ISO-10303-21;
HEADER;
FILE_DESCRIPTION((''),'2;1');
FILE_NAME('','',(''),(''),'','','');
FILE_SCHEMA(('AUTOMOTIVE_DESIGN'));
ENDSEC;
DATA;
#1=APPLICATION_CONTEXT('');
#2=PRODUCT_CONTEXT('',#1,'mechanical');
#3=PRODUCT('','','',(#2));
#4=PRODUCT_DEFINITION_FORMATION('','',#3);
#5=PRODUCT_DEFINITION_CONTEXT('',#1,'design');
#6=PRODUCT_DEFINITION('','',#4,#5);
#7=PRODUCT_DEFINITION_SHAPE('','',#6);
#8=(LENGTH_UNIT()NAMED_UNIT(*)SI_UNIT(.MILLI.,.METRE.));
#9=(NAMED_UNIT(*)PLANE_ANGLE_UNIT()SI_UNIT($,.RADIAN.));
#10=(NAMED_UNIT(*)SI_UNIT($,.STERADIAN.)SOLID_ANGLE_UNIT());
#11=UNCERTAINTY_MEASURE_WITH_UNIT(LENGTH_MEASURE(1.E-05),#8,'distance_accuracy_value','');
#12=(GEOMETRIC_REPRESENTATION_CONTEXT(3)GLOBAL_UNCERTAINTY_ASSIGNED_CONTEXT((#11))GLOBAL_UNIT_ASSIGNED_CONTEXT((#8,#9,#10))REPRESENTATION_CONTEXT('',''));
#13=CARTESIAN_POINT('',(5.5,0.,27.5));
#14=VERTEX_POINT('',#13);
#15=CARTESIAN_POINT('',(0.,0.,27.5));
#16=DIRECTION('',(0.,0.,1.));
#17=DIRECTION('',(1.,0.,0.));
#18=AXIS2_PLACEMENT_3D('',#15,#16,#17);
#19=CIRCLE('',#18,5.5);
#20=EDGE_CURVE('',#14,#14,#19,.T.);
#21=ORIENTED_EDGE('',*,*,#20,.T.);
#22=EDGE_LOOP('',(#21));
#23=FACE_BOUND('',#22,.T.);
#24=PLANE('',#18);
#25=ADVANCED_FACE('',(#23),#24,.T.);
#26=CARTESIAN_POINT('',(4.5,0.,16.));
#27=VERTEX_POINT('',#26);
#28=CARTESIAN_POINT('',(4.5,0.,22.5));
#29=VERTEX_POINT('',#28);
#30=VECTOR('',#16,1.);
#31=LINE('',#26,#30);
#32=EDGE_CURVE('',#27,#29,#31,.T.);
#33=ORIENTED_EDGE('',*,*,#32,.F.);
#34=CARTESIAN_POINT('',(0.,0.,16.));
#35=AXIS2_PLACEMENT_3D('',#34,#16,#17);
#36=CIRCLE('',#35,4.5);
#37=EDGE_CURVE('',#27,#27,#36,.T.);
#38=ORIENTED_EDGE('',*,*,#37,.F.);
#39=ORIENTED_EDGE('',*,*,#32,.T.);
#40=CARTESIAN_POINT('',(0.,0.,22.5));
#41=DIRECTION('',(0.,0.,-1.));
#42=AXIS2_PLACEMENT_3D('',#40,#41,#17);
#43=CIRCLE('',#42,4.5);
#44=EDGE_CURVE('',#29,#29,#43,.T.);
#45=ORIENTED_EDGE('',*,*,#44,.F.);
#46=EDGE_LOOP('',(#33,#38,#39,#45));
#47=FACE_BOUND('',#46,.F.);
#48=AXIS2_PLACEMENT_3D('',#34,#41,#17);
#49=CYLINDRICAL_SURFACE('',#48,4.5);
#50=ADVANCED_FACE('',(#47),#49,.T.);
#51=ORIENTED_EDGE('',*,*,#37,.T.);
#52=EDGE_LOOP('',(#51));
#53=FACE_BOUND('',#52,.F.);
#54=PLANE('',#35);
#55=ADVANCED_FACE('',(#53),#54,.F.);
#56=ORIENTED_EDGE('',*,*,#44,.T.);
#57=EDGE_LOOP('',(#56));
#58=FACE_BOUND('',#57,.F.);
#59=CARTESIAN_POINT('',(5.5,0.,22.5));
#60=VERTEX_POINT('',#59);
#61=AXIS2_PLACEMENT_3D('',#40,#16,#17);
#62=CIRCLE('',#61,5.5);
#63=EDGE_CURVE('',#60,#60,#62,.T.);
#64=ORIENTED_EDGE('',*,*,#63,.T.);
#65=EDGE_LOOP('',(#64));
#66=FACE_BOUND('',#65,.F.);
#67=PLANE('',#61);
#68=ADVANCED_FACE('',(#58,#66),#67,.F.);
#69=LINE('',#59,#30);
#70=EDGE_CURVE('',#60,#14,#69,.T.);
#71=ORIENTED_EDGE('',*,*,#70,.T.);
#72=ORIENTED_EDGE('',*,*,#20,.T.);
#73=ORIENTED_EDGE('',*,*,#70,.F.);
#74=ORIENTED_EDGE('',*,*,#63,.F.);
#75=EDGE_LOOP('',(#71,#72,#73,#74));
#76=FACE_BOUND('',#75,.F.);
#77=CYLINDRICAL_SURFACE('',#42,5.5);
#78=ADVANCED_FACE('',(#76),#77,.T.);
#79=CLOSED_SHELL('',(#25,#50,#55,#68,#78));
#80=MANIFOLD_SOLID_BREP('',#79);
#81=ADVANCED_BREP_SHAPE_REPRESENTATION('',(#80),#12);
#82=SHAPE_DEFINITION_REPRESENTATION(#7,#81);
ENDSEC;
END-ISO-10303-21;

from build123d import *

# Parameters (mm, degrees)
CYLINDER003_R     = 5.5
CYLINDER003_DEPTH = 5
CYLINDER002_R     = 4.5
CYLINDER002_DEPTH = 6.6


with BuildPart() as centre002:
    # Cylinder003 → Cylinder003 (new body)
    with BuildSketch(Plane.XY.offset(-2.5)):
        Circle(CYLINDER003_R)
    extrude(amount=CYLINDER003_DEPTH)


with BuildPart() as worm_driven_gear:
    # Cylinder002 → Cylinder002 (new body)
    with BuildSketch(Plane.XY.offset(-9)):
        Circle(CYLINDER002_R)
    extrude(amount=CYLINDER002_DEPTH)

    # Fusion: union centre002
    add(centre002.part)


with BuildPart() as worm_driven_gear_1:
    # Fusion placement: moved
    add(worm_driven_gear.part.moved(Location((0, 0, 25))))


solid = worm_driven_gear_1.part
